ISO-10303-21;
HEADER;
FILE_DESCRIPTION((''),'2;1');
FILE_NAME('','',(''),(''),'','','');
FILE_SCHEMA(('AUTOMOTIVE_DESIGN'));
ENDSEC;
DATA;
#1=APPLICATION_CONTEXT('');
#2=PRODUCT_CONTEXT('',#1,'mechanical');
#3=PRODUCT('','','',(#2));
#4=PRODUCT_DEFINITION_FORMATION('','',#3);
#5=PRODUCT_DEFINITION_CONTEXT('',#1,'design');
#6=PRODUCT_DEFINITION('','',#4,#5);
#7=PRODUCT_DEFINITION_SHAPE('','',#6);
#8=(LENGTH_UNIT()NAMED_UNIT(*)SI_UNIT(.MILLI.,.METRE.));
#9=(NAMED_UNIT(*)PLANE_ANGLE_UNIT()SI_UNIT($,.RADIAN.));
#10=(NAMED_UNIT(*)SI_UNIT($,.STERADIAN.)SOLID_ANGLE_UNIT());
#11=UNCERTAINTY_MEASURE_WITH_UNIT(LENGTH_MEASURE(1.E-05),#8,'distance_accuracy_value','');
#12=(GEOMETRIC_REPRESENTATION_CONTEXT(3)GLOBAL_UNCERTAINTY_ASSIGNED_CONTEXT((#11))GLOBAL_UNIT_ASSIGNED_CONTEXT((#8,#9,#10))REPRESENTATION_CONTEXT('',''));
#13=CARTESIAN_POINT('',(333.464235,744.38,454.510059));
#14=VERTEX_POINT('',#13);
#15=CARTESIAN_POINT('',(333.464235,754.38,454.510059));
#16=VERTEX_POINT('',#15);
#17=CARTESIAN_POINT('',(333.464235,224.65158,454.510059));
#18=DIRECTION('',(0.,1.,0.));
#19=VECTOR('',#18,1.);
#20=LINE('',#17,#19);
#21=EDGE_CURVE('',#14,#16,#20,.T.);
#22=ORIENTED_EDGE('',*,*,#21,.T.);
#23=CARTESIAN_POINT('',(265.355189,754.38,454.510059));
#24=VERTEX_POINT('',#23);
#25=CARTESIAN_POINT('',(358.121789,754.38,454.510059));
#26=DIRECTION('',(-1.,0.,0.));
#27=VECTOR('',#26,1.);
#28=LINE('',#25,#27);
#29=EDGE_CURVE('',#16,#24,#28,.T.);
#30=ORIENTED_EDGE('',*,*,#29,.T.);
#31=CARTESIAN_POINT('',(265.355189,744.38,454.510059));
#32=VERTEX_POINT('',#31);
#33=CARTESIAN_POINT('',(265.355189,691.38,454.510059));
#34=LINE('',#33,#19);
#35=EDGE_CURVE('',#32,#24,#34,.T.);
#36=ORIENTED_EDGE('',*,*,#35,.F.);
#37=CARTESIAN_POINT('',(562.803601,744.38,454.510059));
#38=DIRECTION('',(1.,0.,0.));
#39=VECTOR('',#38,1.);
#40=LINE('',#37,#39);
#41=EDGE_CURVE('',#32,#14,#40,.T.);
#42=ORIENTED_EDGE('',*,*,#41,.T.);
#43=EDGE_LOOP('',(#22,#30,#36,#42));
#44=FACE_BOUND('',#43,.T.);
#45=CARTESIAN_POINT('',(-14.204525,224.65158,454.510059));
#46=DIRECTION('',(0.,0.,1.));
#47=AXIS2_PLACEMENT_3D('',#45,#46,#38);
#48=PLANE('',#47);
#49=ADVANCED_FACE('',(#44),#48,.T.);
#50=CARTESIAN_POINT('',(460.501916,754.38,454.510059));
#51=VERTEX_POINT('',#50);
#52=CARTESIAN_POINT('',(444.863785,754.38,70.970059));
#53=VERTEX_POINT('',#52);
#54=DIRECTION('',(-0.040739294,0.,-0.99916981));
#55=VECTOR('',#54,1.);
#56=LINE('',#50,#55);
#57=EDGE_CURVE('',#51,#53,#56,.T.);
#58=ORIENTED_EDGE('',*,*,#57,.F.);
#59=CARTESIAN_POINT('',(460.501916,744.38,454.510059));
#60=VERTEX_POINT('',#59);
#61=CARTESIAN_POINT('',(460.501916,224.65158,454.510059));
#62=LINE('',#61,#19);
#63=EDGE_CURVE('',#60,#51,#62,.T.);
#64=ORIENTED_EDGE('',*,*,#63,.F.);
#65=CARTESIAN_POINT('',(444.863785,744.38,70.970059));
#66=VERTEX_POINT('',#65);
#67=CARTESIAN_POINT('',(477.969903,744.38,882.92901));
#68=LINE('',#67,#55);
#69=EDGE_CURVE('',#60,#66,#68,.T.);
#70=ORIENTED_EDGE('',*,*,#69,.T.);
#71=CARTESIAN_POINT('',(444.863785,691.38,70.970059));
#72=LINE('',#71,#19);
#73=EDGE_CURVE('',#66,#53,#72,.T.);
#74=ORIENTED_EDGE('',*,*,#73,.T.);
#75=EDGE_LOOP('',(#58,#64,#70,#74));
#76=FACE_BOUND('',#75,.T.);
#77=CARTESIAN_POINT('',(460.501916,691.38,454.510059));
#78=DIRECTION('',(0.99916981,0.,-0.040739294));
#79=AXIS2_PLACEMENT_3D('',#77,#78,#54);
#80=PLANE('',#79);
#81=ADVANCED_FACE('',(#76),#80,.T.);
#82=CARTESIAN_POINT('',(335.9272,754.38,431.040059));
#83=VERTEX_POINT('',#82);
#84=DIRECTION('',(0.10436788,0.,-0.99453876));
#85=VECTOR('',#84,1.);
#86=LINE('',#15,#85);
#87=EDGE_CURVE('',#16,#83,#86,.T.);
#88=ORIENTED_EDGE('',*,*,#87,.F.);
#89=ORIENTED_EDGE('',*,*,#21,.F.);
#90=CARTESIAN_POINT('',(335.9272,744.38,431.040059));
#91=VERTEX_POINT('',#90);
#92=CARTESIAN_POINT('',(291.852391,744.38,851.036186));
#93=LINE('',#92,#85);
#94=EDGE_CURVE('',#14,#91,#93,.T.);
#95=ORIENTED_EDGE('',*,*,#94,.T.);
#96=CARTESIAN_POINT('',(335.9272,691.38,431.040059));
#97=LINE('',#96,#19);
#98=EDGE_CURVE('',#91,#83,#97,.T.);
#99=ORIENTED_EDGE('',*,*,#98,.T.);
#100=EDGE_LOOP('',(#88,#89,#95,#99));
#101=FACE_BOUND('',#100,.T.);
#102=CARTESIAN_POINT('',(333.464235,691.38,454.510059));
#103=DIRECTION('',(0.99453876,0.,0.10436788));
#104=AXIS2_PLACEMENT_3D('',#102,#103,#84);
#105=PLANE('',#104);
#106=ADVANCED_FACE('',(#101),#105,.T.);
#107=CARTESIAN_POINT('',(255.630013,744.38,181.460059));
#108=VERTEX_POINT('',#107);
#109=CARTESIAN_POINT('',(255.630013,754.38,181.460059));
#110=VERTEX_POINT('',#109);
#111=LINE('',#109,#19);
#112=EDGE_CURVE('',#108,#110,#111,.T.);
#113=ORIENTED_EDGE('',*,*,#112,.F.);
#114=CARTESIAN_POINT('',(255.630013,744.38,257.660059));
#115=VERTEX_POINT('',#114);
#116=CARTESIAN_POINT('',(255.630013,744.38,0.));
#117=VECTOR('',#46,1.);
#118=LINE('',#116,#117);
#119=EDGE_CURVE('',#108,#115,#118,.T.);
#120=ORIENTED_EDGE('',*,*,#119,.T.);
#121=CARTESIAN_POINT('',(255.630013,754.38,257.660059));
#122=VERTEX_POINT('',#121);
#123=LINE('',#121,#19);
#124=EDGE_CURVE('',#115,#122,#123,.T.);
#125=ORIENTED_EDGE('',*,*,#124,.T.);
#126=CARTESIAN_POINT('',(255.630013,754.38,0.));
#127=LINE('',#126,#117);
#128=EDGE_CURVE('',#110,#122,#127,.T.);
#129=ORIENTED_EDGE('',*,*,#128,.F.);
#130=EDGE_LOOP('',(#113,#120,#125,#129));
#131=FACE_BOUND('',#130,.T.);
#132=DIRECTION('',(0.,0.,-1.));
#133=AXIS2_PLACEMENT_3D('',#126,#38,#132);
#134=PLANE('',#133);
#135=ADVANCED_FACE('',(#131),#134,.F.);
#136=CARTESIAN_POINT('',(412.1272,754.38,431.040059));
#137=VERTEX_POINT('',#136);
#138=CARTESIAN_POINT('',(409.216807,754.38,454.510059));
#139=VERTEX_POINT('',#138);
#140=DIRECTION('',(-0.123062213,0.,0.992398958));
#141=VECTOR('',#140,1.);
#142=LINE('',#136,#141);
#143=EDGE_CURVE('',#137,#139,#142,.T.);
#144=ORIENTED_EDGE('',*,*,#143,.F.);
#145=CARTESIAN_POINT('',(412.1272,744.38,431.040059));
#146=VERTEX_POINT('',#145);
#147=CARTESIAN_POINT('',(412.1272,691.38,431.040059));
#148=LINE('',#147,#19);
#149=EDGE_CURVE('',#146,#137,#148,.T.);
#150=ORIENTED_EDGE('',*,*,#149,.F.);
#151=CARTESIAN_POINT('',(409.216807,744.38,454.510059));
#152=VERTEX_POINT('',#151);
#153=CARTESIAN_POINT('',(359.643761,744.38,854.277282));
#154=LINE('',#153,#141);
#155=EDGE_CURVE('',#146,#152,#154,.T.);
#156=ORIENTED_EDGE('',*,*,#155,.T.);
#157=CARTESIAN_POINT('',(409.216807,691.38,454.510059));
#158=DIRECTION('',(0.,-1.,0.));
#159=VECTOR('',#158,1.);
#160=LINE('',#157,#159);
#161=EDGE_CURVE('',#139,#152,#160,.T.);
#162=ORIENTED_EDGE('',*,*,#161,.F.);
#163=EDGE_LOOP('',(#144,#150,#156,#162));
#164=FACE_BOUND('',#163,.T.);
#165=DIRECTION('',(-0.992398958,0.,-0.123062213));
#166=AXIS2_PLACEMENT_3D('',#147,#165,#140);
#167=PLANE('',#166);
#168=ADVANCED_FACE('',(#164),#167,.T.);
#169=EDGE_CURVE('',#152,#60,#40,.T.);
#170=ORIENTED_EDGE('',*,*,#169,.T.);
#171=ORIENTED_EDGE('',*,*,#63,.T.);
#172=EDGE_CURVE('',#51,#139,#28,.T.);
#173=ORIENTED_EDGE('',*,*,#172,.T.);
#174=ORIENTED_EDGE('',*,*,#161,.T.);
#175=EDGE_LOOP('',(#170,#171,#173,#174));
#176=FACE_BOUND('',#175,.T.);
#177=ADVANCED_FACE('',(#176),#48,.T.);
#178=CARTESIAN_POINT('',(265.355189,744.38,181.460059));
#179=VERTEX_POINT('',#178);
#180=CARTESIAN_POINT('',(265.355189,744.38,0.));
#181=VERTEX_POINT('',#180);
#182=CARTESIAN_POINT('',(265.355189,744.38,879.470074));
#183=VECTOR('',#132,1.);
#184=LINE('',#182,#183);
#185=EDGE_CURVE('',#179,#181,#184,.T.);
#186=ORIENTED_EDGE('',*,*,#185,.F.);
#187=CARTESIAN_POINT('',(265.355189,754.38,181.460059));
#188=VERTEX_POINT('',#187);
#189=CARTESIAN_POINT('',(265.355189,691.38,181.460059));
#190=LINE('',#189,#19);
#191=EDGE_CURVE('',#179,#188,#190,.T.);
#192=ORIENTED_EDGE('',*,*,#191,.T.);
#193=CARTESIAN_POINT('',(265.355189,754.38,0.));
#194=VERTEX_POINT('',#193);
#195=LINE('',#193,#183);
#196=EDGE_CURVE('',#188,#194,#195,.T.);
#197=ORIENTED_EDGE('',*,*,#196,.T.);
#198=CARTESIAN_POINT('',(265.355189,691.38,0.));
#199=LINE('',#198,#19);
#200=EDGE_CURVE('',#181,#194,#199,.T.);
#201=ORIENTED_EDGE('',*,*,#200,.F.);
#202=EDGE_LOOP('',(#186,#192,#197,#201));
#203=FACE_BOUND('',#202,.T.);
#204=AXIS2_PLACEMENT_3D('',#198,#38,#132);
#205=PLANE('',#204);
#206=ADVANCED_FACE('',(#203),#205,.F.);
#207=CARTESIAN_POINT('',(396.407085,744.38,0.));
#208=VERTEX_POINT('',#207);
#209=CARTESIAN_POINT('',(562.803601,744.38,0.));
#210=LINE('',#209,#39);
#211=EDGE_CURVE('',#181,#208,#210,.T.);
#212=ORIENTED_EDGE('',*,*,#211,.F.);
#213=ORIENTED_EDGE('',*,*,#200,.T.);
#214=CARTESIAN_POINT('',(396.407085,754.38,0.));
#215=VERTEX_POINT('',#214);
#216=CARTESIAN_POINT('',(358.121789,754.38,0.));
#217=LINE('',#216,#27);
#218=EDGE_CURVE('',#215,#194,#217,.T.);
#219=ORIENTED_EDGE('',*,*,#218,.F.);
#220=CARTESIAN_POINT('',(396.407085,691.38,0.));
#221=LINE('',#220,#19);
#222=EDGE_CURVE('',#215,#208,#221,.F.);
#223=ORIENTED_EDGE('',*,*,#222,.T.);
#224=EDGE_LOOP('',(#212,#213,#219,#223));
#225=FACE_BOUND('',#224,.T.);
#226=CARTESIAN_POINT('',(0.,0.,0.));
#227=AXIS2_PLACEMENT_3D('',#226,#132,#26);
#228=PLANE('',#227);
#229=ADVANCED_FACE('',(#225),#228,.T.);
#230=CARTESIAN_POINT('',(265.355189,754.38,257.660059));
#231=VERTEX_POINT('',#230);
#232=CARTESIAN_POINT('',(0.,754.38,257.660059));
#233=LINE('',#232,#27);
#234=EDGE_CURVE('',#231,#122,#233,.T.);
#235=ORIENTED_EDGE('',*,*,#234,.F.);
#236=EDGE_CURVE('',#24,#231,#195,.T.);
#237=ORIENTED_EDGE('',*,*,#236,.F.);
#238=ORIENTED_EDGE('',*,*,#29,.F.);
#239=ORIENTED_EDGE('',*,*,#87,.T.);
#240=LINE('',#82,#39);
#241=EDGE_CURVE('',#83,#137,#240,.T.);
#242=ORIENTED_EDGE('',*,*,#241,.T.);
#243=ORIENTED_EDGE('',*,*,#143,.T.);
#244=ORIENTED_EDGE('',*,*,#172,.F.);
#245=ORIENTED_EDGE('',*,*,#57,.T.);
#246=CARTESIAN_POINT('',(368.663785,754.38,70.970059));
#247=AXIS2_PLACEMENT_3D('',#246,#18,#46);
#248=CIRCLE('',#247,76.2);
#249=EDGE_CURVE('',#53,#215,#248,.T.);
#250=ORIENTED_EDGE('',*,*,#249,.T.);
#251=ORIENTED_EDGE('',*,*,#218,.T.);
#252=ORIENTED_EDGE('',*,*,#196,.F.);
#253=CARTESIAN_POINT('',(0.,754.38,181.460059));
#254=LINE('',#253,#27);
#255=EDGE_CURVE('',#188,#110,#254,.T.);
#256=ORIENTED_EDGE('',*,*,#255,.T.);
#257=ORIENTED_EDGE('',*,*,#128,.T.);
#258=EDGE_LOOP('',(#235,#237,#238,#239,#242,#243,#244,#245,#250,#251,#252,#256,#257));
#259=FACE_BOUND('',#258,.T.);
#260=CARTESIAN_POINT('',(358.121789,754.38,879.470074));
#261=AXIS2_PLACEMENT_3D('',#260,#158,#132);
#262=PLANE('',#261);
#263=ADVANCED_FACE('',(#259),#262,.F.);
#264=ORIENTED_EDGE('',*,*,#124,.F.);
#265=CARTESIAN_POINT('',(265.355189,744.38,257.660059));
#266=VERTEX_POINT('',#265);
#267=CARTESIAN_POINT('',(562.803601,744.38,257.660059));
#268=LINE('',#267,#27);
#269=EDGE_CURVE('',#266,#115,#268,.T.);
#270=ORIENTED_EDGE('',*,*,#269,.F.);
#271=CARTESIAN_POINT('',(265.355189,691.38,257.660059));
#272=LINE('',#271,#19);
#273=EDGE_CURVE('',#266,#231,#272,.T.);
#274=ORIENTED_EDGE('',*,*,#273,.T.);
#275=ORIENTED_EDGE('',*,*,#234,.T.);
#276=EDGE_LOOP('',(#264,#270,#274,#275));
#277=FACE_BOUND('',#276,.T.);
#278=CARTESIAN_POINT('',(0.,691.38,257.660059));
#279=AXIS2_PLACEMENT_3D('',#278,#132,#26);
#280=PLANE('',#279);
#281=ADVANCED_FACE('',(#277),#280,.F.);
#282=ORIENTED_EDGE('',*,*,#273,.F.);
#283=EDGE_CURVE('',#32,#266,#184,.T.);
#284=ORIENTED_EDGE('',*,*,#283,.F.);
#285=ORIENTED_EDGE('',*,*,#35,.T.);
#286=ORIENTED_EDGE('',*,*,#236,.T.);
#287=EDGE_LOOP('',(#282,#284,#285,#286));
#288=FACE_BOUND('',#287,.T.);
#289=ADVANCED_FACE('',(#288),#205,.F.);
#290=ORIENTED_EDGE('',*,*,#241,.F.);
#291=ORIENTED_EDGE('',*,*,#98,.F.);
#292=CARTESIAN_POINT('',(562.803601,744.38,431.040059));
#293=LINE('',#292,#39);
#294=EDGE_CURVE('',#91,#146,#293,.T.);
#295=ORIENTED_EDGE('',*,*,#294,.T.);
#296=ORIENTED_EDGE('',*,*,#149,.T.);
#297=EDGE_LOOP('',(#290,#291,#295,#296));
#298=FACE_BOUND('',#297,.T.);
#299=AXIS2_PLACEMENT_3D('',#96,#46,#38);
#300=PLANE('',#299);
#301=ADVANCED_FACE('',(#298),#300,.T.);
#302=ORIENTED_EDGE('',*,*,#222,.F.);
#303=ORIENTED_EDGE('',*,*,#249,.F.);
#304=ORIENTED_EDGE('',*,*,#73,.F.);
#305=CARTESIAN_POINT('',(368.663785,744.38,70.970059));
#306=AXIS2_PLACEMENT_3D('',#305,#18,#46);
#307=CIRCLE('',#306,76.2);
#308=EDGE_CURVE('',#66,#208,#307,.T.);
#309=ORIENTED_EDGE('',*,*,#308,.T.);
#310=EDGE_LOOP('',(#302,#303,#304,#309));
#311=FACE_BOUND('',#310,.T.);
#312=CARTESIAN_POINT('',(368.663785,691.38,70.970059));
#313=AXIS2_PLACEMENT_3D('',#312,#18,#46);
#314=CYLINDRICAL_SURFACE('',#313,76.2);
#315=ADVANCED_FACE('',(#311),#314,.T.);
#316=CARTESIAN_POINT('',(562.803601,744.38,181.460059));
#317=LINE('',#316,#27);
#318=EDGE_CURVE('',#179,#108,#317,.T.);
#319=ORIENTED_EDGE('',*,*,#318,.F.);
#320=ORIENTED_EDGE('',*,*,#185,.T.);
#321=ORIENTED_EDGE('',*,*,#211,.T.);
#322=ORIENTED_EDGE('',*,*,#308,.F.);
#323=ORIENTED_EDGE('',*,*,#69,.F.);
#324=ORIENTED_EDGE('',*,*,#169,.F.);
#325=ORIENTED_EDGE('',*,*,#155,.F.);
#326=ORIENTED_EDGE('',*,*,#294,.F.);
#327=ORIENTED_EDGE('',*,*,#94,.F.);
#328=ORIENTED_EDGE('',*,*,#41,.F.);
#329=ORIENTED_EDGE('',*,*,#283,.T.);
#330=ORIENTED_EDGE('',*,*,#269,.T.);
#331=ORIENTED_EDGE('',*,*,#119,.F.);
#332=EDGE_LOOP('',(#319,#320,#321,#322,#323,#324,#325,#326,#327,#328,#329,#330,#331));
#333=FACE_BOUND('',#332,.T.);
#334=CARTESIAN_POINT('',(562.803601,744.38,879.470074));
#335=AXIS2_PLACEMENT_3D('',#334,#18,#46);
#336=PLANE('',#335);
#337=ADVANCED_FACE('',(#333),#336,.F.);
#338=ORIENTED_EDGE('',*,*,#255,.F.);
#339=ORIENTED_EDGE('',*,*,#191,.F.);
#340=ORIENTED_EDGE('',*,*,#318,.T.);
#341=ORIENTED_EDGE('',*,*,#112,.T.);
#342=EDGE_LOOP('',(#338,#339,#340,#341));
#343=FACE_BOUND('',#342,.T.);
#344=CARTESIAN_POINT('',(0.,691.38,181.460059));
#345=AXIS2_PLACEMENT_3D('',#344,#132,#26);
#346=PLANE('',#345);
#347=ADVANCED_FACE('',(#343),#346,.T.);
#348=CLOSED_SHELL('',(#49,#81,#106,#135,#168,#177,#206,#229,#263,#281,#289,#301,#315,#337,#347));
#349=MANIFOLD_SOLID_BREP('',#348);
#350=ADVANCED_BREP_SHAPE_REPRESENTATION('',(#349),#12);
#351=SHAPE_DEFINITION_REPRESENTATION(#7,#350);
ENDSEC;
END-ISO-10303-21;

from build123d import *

# Parameters (mm, degrees)
BOSS_EXTRUDE1_DEPTH = 454.5100591
SKETCH3_W           = 117.668752198
SKETCH3_H           = 454.5100591
CUT_EXTRUDE1_DEPTH  = 10
SKETCH4_W           = 9.725175386
SKETCH4_H           = 196.85
SKETCH4_H_2         = 181.4600591
CUT_EXTRUDE3_DEPTH  = 63


with BuildPart() as part:
    # Sketch1 → Boss-Extrude1 (new body)
    with BuildSketch(Plane.XY):
        Polygon((358.121789204, 754.380000017), (137.961261276, 754.380000017), (137.961261276, 744.380000017), (562.803601281, 744.380000017), (562.803601281, 754.380000017), align=None)
    extrude(amount=BOSS_EXTRUDE1_DEPTH)

    # Sketch3 → Cut-Extrude1 (cut)
    with BuildSketch(Plane.XZ.offset(-744.380000017)):
        with Locations((196.795637375, 227.25502955)):
            Rectangle(SKETCH3_W, SKETCH3_H)
    extrude(amount=-CUT_EXTRUDE1_DEPTH, mode=Mode.SUBTRACT)

    # Sketch4 → Cut-Extrude3 (cut)
    with BuildSketch(Plane(origin=(0, 754.380000017, 0), x_dir=(1, 0, 0), z_dir=(0, 1, 0))):
        with Locations((260.492601167, -356.0850591)):
            Rectangle(SKETCH4_W, SKETCH4_H)
        with Locations((260.492601167, -90.73002955)):
            Rectangle(SKETCH4_W, SKETCH4_H_2)
        with BuildLine():
            Line((333.464234552, -454.5100591), (369.761877542, -561.839328351))
            Line((369.761877542, -561.839328351), (604.247212907, -525.668487146))
            Line((604.247212907, -525.668487146), (681.481358703, 161.10923172))
            Line((681.481358703, 161.10923172), (358.740146189, 101.846462791))
            Line((358.740146189, 101.846462791), (368.663785013, 5.2299409))
            ThreePointArc((368.663785013, 5.2299409), (422.54532174, -17.088522374), (444.863785013, -70.9700591))
            Line((444.863785013, -70.9700591), (460.501916297, -454.5100591))
            Line((460.501916297, -454.5100591), (409.216807378, -454.5100591))
            Line((409.216807378, -454.5100591), (412.127199539, -431.0400591))
            Line((412.127199539, -431.0400591), (335.927199539, -431.0400591))
            Line((335.927199539, -431.0400591), (333.464234552, -454.5100591))
        make_face()
    extrude(amount=-CUT_EXTRUDE3_DEPTH, mode=Mode.SUBTRACT)


solid = part.part
